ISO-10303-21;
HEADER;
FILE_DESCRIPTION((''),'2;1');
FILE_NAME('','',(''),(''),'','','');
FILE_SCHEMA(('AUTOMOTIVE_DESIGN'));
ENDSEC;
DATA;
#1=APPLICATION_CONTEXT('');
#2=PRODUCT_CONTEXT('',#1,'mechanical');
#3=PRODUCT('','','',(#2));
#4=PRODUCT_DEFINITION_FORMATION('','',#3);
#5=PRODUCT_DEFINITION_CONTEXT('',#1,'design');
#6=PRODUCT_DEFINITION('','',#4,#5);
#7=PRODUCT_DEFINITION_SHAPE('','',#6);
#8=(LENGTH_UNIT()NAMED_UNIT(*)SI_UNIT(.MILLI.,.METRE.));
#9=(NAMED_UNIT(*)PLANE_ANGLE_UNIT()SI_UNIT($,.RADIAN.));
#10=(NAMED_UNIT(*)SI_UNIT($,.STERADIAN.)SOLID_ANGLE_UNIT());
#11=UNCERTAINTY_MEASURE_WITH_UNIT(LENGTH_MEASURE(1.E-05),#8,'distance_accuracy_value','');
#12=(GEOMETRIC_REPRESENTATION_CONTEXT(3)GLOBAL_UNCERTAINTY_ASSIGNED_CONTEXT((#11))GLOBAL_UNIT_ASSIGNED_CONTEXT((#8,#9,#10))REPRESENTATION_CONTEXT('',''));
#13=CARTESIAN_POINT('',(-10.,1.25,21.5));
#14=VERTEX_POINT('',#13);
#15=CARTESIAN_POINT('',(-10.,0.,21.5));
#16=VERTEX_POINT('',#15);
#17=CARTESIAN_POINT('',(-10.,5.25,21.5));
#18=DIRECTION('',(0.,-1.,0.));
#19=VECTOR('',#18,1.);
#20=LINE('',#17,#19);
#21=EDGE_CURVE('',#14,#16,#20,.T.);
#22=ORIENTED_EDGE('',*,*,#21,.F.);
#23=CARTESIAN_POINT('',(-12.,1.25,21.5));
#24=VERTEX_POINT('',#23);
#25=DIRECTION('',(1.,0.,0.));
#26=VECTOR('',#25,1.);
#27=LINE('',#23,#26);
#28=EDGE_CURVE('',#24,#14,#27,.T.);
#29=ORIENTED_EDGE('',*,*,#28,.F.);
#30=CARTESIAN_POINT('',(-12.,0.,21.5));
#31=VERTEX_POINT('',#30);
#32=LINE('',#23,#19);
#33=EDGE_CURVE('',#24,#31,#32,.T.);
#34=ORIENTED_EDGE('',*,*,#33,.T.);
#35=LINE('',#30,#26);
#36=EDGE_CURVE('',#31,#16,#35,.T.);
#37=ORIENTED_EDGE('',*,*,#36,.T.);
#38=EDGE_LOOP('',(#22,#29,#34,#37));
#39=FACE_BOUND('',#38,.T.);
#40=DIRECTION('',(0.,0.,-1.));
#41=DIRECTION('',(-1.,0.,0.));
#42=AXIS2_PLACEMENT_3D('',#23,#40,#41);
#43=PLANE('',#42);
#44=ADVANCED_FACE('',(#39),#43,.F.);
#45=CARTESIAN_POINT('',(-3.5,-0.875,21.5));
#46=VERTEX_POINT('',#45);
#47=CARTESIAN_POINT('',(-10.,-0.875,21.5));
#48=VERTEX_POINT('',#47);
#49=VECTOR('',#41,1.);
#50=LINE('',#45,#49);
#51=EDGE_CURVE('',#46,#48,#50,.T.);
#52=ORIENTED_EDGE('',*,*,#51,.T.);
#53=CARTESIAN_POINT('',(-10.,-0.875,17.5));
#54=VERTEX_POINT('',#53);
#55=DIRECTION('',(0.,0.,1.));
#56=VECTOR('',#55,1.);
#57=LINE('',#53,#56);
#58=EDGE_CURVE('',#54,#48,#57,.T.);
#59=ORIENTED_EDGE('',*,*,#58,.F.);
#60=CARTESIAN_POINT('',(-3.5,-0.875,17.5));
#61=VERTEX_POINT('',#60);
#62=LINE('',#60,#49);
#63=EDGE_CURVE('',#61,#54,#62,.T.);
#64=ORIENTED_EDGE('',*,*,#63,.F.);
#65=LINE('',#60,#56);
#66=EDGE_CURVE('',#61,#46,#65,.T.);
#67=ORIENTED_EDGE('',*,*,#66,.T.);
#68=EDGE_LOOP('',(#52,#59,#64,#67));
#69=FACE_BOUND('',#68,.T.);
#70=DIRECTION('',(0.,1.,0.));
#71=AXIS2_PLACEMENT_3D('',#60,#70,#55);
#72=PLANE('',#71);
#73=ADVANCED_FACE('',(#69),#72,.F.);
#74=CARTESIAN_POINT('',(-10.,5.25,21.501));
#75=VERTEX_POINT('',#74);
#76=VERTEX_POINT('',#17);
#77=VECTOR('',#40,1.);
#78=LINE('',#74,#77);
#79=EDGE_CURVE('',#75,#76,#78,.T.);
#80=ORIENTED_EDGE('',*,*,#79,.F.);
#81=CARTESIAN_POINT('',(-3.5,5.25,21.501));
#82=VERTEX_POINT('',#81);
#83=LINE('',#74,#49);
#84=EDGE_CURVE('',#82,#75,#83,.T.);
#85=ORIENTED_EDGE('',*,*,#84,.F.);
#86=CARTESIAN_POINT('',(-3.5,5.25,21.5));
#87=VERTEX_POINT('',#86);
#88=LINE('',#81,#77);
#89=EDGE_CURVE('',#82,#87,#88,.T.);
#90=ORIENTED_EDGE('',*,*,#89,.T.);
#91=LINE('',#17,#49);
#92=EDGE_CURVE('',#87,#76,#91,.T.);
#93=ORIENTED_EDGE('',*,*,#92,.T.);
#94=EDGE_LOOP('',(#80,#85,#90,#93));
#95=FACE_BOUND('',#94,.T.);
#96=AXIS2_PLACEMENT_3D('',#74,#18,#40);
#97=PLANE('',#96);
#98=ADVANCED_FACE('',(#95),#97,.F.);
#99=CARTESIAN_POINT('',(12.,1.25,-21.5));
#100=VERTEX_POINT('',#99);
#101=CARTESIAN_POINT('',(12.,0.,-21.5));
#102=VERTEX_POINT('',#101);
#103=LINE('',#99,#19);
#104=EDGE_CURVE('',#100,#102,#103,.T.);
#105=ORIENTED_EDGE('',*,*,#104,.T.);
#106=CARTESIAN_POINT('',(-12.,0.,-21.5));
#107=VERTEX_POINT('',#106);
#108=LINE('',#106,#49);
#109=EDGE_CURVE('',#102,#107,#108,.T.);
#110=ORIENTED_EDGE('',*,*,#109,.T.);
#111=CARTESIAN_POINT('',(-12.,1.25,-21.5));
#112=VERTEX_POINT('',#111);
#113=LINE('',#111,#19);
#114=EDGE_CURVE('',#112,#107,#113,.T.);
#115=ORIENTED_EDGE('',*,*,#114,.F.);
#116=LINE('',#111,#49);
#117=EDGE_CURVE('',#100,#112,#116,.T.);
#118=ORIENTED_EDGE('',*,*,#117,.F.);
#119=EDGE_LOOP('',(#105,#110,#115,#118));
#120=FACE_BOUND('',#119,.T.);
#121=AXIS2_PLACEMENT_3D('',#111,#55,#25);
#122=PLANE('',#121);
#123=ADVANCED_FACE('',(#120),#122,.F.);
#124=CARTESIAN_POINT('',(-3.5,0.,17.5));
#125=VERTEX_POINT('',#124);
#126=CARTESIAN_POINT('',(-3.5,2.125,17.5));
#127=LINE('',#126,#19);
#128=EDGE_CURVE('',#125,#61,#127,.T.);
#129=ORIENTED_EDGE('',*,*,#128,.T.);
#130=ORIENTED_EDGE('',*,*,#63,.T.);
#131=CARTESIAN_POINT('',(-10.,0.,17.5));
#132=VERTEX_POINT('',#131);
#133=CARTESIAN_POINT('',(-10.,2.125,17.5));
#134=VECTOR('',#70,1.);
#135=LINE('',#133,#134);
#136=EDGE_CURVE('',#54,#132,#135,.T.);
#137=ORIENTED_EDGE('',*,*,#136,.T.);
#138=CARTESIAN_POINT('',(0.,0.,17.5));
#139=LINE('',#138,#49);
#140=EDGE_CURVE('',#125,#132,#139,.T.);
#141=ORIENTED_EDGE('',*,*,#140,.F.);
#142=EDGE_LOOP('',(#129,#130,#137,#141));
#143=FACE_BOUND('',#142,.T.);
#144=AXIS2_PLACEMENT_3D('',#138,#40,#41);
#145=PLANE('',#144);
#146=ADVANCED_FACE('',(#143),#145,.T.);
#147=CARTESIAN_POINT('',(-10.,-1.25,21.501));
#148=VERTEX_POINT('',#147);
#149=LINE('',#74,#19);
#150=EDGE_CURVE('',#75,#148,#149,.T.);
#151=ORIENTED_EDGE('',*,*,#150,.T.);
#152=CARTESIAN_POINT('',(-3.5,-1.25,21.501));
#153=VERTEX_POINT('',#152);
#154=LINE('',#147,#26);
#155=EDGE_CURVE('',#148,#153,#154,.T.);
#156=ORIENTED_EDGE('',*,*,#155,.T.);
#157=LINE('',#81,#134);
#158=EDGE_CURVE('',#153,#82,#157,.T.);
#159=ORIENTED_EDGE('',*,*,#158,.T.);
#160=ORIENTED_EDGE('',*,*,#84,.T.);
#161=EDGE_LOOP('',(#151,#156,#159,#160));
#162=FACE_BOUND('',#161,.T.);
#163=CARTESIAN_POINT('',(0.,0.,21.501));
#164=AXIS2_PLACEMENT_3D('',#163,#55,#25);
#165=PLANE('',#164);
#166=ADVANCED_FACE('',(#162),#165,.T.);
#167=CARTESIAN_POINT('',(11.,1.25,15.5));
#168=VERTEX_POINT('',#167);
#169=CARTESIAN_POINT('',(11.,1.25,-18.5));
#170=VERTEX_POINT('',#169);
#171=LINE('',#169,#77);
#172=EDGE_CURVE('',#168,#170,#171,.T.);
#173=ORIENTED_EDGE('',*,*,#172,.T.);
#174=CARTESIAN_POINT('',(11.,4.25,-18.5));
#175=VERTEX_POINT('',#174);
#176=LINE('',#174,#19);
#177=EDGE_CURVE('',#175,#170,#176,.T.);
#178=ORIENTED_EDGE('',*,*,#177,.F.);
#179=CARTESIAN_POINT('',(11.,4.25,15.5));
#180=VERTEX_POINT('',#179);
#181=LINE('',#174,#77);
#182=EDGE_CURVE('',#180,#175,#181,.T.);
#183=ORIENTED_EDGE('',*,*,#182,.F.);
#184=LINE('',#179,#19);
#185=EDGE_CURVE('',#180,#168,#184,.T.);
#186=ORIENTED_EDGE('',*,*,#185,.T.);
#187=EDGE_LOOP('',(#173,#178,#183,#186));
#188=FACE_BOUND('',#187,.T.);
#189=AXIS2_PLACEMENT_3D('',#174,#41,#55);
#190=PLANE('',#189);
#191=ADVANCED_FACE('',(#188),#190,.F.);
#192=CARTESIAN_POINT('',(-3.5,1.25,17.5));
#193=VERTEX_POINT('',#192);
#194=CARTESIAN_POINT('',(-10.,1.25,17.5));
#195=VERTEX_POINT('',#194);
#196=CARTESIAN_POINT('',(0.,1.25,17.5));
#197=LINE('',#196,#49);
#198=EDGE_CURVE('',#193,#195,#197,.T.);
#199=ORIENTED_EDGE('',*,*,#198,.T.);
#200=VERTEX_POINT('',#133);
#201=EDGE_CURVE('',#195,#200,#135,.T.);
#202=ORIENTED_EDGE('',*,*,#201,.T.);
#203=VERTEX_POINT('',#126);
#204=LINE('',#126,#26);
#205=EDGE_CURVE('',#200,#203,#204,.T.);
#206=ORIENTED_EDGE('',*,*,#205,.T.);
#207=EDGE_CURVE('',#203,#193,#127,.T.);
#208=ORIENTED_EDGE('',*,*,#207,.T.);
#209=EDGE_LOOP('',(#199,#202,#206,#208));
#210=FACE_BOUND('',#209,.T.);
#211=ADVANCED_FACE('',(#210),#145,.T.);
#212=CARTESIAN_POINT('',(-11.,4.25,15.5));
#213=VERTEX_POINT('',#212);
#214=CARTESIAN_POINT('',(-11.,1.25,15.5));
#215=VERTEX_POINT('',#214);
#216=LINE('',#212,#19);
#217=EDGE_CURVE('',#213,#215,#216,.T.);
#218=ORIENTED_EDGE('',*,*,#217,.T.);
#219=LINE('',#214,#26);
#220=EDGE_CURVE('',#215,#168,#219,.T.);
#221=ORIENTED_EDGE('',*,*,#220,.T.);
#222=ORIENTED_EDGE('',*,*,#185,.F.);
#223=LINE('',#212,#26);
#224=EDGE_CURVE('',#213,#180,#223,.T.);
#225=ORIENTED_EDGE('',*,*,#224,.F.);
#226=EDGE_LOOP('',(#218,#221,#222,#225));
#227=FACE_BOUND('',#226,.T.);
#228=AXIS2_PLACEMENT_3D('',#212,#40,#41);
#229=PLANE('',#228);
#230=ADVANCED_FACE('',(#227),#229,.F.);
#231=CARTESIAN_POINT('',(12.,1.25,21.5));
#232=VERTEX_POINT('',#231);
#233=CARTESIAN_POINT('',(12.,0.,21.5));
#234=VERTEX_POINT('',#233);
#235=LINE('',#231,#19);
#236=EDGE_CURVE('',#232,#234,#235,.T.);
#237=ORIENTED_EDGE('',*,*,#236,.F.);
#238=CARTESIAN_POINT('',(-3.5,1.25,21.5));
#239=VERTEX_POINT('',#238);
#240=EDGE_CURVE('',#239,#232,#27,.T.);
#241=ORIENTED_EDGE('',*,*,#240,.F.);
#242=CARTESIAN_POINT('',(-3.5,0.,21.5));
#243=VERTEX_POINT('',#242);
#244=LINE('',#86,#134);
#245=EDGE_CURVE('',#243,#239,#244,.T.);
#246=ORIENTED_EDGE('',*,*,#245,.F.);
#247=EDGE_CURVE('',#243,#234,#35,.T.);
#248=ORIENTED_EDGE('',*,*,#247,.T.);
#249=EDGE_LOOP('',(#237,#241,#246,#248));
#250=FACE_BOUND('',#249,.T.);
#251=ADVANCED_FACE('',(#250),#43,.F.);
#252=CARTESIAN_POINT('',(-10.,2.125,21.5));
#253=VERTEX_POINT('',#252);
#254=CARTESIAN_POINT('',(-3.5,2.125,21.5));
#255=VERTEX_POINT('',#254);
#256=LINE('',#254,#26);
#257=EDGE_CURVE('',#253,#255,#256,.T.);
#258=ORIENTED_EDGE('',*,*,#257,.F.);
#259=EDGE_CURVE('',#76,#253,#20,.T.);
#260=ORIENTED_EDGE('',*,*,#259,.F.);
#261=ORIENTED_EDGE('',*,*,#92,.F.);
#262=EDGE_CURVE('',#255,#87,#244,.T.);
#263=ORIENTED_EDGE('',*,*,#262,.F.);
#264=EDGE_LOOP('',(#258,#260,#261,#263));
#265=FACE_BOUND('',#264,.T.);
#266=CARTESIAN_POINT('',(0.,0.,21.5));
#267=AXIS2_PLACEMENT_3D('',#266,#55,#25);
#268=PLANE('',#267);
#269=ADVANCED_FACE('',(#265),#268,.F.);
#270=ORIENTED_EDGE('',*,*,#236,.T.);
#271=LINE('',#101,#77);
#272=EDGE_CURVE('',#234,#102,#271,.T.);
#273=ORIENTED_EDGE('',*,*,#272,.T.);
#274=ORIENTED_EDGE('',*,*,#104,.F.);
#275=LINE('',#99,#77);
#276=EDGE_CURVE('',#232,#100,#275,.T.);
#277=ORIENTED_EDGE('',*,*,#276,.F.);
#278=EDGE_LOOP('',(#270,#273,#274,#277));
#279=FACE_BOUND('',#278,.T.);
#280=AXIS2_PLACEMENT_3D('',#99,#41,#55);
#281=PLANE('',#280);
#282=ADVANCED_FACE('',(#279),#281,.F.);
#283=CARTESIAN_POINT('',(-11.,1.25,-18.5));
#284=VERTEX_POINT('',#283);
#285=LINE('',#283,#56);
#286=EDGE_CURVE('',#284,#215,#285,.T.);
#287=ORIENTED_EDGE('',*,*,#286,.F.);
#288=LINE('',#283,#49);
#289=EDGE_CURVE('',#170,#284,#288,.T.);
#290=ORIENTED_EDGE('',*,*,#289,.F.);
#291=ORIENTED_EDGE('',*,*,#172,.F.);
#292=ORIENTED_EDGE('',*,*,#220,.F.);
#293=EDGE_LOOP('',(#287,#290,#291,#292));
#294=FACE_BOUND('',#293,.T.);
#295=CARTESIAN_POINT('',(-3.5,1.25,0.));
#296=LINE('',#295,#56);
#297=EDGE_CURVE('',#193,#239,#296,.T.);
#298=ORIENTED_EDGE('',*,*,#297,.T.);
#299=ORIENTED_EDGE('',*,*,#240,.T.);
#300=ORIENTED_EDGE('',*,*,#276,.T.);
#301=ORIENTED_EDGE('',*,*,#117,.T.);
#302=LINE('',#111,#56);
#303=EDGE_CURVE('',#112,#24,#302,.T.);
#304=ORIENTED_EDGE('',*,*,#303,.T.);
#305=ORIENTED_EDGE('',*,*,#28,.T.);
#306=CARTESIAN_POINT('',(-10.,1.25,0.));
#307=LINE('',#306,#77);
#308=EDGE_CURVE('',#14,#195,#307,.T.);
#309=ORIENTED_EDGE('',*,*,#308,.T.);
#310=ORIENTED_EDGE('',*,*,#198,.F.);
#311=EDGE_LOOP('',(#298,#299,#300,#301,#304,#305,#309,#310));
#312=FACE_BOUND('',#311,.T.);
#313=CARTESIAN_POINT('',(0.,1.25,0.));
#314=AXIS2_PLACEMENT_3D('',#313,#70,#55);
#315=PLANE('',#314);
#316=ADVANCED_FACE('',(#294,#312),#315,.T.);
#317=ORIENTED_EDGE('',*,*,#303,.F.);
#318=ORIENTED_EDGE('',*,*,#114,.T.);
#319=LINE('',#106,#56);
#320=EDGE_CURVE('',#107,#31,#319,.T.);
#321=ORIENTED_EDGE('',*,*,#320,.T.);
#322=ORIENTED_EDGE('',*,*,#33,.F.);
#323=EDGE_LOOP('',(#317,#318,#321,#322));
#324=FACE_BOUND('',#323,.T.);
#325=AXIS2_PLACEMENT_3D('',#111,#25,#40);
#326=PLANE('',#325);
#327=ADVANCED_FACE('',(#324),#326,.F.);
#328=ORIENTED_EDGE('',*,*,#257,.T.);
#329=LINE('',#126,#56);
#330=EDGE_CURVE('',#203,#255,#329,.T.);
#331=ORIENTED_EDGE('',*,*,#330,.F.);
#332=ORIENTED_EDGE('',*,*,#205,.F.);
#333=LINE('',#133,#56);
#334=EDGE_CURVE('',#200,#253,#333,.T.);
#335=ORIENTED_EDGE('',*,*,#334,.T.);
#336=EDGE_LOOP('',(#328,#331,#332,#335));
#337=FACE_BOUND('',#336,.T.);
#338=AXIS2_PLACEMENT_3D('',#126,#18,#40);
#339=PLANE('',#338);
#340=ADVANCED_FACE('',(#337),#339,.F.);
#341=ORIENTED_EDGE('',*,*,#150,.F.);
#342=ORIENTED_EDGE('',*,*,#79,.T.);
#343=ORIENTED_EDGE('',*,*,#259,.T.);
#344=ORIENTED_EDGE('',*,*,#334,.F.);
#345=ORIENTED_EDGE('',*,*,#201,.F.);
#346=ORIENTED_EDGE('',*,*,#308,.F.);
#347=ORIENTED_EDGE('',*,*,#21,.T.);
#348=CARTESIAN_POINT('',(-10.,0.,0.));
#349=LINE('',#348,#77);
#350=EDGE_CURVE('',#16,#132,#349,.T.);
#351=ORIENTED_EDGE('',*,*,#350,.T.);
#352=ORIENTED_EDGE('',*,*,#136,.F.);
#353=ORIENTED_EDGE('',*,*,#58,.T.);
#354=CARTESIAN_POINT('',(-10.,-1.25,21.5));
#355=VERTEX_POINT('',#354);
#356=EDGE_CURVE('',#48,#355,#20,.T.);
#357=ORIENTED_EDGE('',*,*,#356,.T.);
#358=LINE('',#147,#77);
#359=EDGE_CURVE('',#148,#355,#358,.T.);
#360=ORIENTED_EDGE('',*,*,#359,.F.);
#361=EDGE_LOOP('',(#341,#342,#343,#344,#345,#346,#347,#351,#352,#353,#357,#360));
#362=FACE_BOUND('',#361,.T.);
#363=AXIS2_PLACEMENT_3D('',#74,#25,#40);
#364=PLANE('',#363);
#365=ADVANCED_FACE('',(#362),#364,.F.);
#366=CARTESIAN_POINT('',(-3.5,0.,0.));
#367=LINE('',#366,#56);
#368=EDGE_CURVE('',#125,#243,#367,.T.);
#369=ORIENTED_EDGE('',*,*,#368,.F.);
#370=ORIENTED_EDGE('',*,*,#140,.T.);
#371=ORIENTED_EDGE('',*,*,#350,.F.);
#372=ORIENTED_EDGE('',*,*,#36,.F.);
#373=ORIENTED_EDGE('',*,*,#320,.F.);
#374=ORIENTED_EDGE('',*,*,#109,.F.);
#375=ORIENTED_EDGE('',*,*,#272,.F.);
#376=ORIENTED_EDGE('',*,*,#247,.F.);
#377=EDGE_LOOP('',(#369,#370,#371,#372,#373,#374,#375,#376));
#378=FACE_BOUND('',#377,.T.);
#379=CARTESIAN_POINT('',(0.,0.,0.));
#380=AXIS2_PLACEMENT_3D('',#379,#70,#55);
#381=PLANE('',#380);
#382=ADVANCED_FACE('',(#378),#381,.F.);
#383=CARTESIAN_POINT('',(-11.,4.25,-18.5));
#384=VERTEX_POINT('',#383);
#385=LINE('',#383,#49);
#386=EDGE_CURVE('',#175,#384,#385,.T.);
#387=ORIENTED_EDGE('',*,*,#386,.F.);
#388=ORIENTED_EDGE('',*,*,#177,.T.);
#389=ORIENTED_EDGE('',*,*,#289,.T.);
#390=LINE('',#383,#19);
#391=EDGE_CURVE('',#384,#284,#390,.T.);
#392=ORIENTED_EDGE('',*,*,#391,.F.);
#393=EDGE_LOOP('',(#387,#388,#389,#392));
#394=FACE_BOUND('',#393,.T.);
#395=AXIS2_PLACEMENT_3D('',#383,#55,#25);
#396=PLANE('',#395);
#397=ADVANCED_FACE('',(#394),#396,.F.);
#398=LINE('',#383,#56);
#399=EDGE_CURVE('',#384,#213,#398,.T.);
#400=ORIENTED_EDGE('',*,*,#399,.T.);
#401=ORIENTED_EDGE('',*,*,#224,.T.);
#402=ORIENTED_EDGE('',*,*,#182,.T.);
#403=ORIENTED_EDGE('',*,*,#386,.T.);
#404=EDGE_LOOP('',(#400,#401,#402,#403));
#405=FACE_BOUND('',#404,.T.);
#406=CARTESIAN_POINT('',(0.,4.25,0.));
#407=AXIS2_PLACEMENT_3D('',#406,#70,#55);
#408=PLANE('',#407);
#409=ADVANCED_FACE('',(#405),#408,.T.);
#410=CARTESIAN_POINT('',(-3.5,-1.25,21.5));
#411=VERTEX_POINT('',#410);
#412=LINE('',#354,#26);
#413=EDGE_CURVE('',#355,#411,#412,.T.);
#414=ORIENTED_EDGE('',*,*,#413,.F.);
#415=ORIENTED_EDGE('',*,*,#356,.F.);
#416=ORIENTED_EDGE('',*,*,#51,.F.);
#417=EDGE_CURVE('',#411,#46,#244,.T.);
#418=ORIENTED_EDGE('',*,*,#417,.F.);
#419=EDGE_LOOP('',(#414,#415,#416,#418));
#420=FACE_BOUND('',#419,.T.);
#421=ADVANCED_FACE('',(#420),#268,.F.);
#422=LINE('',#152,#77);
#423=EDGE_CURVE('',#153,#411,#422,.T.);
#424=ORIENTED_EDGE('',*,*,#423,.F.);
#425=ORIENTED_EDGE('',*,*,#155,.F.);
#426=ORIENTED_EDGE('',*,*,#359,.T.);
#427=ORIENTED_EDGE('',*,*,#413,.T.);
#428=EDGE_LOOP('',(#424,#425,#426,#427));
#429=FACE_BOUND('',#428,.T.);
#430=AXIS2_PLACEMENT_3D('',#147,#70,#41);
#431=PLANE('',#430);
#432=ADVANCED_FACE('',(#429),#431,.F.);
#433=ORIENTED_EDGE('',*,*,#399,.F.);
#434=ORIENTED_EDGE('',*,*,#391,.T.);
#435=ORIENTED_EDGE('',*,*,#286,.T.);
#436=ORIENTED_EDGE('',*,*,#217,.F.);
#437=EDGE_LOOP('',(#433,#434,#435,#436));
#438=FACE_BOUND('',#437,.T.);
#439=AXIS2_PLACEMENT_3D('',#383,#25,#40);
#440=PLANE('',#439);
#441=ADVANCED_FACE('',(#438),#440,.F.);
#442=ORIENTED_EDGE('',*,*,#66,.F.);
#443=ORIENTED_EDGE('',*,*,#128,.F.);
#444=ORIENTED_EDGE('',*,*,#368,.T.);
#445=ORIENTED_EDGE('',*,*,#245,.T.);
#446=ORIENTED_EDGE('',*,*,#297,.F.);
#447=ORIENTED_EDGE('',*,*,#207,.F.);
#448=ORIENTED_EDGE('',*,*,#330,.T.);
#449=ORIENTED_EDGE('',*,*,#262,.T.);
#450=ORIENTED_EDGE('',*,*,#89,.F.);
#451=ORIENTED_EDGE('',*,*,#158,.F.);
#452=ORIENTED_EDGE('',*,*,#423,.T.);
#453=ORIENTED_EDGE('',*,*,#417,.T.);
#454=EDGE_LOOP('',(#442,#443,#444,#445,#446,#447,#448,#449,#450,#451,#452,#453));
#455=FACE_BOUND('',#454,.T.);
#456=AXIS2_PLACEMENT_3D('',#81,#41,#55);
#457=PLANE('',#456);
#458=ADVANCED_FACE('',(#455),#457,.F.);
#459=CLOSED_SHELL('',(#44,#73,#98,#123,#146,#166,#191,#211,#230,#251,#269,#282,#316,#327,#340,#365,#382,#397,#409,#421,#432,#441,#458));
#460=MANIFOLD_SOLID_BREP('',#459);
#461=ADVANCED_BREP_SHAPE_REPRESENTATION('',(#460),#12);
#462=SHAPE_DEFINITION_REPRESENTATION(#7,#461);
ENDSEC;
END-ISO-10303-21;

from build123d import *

# Parameters (mm, degrees)
SKETCH1_W               = 24
SKETCH1_H               = 43
PCB_DEPTH               = 1.25
SKETCH2_W               = 22
SKETCH2_H               = 34
RF_CASING_DEPTH         = 3
SKETCH3_W               = 6.5
SKETCH3_H               = 6.5
RF_CONNECTOR_BACK_DEPTH = 0.001
SKETCH5_W               = 6.5
SKETCH5_H               = 3
RF_CONNECTOR_PINS_DEPTH = 4


with BuildPart() as part:
    # Sketch1 → PCB (new body)
    with BuildSketch(Plane(origin=(0, 0, 0), x_dir=(1, 0, 0), z_dir=(0, 1, 0))):
        Rectangle(SKETCH1_W, SKETCH1_H)
    extrude(amount=PCB_DEPTH)

    # Sketch2 → RF Casing (add)
    with BuildSketch(Plane(origin=(0, 1.25, 0), x_dir=(1, 0, 0), z_dir=(0, 1, 0))):
        with Locations((0, 1.5)):
            Rectangle(SKETCH2_W, SKETCH2_H)
    extrude(amount=RF_CASING_DEPTH)

    # Sketch3 → RF Connector Back (add)
    with BuildSketch(Plane.XY.offset(21.5)):
        with Locations((-6.75, 2)):
            Rectangle(SKETCH3_W, SKETCH3_H)
    extrude(amount=RF_CONNECTOR_BACK_DEPTH)

    # Sketch5 → RF Connector Pins (add)
    with BuildSketch(Plane(origin=(0, 0, 21.5), x_dir=(-1, 0, 0), z_dir=(0, 0, -1))):
        with Locations((6.75, 0.625)):
            Rectangle(SKETCH5_W, SKETCH5_H)
    extrude(amount=RF_CONNECTOR_PINS_DEPTH)


solid = part.part
